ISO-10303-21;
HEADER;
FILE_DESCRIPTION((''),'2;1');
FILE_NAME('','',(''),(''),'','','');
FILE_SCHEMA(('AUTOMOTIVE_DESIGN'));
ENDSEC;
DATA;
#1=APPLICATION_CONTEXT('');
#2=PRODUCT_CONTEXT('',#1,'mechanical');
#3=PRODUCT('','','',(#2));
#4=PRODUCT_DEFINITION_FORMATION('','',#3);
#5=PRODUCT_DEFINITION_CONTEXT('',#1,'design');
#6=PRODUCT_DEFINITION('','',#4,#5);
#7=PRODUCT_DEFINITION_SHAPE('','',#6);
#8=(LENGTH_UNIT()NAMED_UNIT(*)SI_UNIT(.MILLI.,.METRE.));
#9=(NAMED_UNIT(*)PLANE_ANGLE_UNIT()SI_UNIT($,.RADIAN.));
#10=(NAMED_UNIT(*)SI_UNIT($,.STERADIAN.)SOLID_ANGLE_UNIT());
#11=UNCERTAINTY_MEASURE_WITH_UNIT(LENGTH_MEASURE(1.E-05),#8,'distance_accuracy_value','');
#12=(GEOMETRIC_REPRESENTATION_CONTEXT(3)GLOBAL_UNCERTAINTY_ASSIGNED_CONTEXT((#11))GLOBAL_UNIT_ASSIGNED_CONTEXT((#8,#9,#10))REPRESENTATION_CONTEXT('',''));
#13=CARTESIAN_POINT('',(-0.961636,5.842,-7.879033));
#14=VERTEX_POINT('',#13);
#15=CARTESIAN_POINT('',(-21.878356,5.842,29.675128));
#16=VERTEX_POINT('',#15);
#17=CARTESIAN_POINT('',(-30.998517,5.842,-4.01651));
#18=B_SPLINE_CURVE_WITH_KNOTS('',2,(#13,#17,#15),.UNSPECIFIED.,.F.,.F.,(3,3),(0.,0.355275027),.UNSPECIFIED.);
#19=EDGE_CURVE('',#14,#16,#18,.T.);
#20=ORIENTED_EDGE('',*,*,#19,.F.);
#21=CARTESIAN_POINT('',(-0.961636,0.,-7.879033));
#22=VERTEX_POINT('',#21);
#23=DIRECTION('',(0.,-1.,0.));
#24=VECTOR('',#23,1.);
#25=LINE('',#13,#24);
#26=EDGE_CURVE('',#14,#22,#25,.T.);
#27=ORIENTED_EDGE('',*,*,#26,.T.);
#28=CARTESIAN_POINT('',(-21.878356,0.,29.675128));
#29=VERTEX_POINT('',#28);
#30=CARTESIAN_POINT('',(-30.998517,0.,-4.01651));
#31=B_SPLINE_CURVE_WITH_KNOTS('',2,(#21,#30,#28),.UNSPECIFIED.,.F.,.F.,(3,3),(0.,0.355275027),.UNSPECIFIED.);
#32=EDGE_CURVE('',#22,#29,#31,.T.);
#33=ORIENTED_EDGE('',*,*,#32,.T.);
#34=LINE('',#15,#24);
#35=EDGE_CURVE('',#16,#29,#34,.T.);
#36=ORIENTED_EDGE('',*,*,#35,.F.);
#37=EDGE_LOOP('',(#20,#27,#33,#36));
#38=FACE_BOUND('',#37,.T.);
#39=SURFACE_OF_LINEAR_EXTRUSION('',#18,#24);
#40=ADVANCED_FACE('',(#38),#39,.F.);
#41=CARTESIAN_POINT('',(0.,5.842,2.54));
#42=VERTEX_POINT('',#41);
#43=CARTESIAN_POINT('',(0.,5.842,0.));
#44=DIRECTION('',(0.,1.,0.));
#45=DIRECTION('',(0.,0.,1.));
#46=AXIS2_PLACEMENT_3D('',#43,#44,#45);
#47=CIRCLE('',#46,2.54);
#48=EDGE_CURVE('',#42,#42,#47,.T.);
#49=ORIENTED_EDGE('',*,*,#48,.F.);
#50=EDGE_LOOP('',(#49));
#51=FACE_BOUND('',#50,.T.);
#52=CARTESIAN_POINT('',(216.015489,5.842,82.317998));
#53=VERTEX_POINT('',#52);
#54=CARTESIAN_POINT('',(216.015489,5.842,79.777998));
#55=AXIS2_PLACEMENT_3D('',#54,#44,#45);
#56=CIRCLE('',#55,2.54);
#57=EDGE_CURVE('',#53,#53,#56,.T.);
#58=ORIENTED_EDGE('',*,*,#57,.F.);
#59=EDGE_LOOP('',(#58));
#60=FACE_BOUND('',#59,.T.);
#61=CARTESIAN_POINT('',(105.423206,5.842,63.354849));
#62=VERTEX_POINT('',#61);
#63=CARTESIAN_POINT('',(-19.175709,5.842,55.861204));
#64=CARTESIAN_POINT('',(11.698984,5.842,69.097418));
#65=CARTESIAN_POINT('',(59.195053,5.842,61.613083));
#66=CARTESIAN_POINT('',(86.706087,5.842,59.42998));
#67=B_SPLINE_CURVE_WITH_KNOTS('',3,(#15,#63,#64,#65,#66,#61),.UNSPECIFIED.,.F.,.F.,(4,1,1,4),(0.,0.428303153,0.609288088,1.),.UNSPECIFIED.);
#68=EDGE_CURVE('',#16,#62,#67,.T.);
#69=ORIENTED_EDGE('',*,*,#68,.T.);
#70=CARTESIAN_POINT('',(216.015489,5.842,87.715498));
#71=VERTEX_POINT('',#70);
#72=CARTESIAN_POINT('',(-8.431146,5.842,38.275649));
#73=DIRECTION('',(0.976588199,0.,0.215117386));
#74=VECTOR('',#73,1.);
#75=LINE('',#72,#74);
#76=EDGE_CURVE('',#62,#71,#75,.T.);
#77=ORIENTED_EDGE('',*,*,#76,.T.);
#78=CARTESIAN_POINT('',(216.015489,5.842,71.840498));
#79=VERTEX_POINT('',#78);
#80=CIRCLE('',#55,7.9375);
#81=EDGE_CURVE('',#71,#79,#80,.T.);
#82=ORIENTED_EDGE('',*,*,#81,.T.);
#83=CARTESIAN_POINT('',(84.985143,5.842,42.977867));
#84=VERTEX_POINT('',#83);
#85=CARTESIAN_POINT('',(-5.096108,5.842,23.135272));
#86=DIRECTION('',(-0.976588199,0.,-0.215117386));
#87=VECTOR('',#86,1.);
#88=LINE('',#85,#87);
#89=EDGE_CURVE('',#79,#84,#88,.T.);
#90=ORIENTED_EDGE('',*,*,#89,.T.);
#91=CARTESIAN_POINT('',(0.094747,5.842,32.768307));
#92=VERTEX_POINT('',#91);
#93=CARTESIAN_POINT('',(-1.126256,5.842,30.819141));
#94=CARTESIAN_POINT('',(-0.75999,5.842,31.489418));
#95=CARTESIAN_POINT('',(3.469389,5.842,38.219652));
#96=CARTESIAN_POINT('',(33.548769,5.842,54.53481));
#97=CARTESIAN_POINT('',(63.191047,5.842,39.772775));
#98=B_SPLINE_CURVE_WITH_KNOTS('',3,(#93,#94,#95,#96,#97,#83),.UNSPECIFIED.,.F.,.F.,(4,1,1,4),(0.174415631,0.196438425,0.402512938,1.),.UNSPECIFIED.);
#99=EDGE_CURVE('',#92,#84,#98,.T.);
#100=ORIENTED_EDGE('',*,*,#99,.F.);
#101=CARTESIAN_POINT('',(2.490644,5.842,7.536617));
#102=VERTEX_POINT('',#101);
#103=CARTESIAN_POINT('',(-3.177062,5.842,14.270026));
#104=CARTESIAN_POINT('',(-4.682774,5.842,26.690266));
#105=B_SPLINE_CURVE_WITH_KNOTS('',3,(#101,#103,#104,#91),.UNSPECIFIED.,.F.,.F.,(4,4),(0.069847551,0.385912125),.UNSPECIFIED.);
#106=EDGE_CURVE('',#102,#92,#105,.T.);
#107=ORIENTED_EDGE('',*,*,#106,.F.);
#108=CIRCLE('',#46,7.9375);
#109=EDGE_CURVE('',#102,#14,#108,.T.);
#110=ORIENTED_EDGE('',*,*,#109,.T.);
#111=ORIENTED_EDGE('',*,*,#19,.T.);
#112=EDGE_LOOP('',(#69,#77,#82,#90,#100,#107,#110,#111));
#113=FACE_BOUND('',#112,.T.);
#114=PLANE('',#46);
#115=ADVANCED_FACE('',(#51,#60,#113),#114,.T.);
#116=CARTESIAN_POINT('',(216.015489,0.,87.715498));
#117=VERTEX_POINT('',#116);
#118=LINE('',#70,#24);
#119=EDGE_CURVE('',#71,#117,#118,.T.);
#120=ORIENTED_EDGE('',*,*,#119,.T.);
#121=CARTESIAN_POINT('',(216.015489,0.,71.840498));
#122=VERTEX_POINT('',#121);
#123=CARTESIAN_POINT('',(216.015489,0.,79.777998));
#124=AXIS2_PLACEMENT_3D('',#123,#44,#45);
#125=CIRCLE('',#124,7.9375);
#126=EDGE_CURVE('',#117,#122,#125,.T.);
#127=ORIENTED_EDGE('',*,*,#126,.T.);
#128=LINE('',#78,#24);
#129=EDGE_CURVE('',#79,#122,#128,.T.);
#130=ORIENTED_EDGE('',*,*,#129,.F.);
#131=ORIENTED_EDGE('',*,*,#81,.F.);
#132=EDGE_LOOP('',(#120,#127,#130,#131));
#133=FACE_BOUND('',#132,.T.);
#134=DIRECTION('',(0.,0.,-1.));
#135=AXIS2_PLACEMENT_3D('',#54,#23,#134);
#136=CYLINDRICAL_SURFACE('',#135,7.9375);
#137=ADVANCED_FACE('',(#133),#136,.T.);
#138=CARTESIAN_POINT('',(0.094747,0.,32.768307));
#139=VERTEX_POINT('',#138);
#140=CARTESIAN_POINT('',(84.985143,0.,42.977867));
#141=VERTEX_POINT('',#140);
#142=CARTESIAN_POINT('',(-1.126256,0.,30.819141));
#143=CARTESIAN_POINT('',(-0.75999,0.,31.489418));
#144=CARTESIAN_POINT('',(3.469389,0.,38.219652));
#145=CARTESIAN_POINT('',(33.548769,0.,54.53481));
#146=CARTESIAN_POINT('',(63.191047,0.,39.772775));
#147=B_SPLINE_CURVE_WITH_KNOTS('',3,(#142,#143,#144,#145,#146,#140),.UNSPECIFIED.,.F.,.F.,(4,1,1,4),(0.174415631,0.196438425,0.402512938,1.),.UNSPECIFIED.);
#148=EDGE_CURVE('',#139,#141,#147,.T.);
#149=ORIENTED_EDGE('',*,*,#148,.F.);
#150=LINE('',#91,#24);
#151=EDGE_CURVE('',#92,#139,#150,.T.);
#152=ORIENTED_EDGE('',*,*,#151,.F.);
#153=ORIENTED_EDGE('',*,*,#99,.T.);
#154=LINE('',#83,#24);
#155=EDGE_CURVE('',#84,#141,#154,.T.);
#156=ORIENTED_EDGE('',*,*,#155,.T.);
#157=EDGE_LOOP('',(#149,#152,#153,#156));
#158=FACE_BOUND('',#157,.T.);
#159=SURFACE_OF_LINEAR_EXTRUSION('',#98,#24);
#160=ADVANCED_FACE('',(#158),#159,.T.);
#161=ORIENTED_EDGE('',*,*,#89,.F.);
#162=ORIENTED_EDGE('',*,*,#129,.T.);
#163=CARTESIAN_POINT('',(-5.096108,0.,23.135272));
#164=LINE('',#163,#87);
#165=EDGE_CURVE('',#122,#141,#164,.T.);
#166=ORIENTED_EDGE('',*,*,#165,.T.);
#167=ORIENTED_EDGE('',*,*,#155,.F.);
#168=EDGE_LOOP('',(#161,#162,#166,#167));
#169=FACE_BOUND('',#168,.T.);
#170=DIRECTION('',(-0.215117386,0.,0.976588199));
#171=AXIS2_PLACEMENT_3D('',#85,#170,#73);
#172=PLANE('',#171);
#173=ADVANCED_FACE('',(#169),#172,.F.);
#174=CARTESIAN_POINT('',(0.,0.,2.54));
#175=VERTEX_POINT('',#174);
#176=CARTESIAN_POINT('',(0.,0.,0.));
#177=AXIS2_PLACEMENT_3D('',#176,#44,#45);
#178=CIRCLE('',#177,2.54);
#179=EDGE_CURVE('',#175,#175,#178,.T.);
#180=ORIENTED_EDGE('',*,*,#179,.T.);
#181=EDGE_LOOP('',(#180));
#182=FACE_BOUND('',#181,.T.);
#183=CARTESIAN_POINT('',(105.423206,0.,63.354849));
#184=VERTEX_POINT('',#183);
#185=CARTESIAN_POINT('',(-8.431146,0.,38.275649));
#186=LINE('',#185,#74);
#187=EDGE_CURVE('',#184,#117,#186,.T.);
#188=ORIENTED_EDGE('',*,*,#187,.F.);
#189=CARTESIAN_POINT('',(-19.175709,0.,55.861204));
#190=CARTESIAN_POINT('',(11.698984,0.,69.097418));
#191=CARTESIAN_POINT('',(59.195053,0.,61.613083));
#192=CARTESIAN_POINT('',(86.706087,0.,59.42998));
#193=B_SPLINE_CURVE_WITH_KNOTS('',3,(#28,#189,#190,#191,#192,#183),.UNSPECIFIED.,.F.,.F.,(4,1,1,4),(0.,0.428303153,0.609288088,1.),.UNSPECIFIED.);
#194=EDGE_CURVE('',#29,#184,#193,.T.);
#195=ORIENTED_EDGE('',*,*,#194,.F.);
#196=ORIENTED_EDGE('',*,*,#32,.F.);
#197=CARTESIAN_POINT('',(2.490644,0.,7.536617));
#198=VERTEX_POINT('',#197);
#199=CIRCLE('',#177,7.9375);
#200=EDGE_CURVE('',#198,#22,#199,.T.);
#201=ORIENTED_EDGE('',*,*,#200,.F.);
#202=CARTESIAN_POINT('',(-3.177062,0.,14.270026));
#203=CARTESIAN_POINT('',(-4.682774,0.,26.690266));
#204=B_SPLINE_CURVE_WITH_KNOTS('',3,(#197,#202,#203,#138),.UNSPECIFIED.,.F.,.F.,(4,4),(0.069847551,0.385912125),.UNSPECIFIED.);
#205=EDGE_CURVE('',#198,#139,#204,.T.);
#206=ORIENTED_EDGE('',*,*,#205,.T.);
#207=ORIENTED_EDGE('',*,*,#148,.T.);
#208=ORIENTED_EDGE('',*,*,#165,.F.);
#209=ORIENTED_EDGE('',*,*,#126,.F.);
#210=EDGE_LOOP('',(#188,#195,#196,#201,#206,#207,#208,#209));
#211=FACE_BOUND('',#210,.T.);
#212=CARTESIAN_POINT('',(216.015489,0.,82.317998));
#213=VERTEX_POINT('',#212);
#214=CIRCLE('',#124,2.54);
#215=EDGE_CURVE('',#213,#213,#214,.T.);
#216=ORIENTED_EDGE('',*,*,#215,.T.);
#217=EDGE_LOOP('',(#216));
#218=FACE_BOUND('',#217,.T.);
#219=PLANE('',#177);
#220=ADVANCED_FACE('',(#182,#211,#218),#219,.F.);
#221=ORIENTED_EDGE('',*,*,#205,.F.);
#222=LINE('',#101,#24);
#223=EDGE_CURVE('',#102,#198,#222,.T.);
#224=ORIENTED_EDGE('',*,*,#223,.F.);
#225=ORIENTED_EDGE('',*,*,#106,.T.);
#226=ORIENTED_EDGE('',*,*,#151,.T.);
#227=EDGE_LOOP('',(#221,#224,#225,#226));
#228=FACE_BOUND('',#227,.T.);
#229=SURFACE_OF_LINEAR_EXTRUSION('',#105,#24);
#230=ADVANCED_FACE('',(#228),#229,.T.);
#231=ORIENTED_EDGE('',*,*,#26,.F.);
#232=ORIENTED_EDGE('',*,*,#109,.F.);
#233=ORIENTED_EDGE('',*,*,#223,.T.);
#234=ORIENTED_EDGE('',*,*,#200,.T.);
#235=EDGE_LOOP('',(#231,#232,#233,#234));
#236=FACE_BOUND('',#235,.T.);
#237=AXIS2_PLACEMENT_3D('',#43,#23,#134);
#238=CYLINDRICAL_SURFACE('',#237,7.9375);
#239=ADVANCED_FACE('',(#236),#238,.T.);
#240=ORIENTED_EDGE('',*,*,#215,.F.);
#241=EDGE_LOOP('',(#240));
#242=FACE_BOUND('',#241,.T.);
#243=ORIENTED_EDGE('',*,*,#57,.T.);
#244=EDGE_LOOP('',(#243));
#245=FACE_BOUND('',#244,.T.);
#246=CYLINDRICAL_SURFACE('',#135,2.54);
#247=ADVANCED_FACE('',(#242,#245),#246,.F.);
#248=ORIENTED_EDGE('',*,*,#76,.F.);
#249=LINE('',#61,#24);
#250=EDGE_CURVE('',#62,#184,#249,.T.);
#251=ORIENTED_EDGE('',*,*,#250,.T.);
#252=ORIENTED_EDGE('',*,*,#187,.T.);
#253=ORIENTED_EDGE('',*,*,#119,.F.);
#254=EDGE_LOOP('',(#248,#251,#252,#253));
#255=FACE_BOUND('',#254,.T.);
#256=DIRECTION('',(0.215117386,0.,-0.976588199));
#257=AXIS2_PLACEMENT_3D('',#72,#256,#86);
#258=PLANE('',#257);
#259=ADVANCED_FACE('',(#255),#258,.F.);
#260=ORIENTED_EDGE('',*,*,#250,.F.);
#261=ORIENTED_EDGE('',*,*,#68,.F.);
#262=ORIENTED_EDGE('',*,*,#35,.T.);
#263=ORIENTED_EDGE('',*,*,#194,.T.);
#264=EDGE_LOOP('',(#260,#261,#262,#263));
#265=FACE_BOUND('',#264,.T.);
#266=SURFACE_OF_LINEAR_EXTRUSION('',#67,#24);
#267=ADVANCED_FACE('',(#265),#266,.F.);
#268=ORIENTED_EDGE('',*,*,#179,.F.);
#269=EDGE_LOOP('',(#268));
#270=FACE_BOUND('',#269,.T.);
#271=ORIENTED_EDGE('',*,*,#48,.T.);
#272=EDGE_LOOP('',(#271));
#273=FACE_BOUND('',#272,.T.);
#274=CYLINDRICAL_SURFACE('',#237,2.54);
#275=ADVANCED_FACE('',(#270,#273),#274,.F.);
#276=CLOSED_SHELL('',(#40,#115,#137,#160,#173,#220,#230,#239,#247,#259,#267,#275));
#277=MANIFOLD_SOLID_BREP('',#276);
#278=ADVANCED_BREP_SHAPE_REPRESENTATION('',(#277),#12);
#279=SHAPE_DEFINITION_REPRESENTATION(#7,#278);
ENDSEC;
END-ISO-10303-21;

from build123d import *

# Parameters (mm, degrees)
BOSS_EXTRUDE1_DEPTH = 5.842


with BuildPart() as part:
    # Sketch1 → Boss-Extrude1 (new body)
    # profile 1 of 4: a face of its own
    with BuildSketch(Plane(origin=(0, 0, 0), x_dir=(1, 0, 0), z_dir=(0, 1, 0))):
        with BuildLine():
            Line((5.702829673, -2.106146828), (2.382698971, -0.879969097))
            ThreePointArc((2.382698971, -0.879969097), (-0.446958954, -2.500365512), (-2.54, 0))
            ThreePointArc((-2.54, 0), (0, 2.54), (2.54, 0))
            Line((2.54, 0), (7.9375, 0))
            ThreePointArc((7.9375, 0), (5.261697448, 5.942932459), (-0.961636054, 7.879033085))
            add(Edge.make_bspline(
                [(-0.961636054, 7.879033085), (-30.998516546, 4.016509883), (-21.878356409, -29.675127641)],
                knots=[0, 0, 0, 0.355275027, 0.355275027, 0.355275027], degree=2))
            add(Edge.make_bspline(
                [(-21.878356409, -29.675127641), (-19.175708983, -55.861204147), (11.698983968, -69.097417628), (59.195053048, -61.613083253), (86.70608699, -59.429980277), (105.423206443, -63.354848985)],
                knots=[0, 0, 0, 0, 0.428303153, 0.609288088, 1, 1, 1, 1], degree=3))
            Line((105.423206443, -63.354848985), (212.680451258, -86.98087497))
            Line((212.680451258, -86.98087497), (216.015488734, -87.715498371))
            ThreePointArc((216.015488734, -87.715498371), (223.952988734, -79.777998371), (216.015488734, -71.840498371))
            Line((216.015488734, -71.840498371), (84.985142991, -42.97786668))
            add(Edge.make_bspline(
                [(0.09474692, -32.76830731), (4.27176872, -38.654864898), (33.548769413, -54.534810158), (63.191046617, -39.772775003), (84.985142991, -42.97786668)],
                knots=[0.196438425, 0.196438425, 0.196438425, 0.196438425, 0.402512938, 1, 1, 1, 1], degree=3))
            add(Edge.make_bspline(
                [(-1.126256356, -30.819140758), (-0.777763255, -31.521796137), (-0.371419038, -32.175243295), (0.09474692, -32.76830731)],
                knots=[0.355072169, 0.355072169, 0.355072169, 0.355072169, 0.385912125, 0.385912125, 0.385912125, 0.385912125], degree=3))
            add(Edge.make_bspline(
                [(2.490643555, -7.53661734), (-2.624036668, -13.613014345), (-4.349309359, -24.320603116), (-1.126256356, -30.819140758)],
                knots=[0.069847551, 0.069847551, 0.069847551, 0.069847551, 0.355072169, 0.355072169, 0.355072169, 0.355072169], degree=3))
            ThreePointArc((2.490643555, -7.53661734), (5.51471235, -5.708927565), (7.445934285, -2.749903429))
            Line((7.445934285, -2.749903429), (5.702829673, -2.106146828))
        make_face()
        with BuildLine():
            ThreePointArc((213.632789762, -78.898029274), (216.462447688, -77.27763286), (218.555488734, -79.777998371))
            ThreePointArc((218.555488734, -79.777998371), (215.56852978, -82.278363883), (213.632789762, -78.898029274))
        make_face(mode=Mode.SUBTRACT)
    # profile 2 of 4: a face of its own
    with BuildSketch(Plane(origin=(0, 0, 0), x_dir=(1, 0, 0), z_dir=(0, 1, 0))):
        with BuildLine():
            add(Edge.make_bspline(
                [(5.702829673, -2.106146828), (6.77439514, -1.073513348), (7.9375, 0)],
                knots=[0.965211712, 0.965211712, 0.965211712, 1, 1, 1], degree=2))
            Line((5.702829673, -2.106146828), (7.445934285, -2.749903429))
            ThreePointArc((7.445934285, -2.749903429), (7.813642225, -1.396746731), (7.9375, 0))
        make_face()
    # profile 3 of 4: a face of its own
    with BuildSketch(Plane(origin=(0, 0, 0), x_dir=(1, 0, 0), z_dir=(0, 1, 0))):
        with BuildLine():
            ThreePointArc((2.54, 0), (2.500365512, -0.446958954), (2.382698971, -0.879969097))
            Line((2.382698971, -0.879969097), (5.702829673, -2.106146828))
            add(Edge.make_bspline(
                [(5.702829673, -2.106146828), (6.77439514, -1.073513348), (7.9375, 0)],
                knots=[0.965211712, 0.965211712, 0.965211712, 1, 1, 1], degree=2))
            Line((7.9375, 0), (2.54, 0))
        make_face()
    # profile 4 of 4: a face of its own
    with BuildSketch(Plane(origin=(0, 0, 0), x_dir=(1, 0, 0), z_dir=(0, 1, 0))):
        with BuildLine():
            add(Edge.make_bspline(
                [(5.702829673, -2.106146828), (6.77439514, -1.073513348), (7.9375, 0)],
                knots=[0.965211712, 0.965211712, 0.965211712, 1, 1, 1], degree=2))
            Line((5.702829673, -2.106146828), (7.445934285, -2.749903429))
            ThreePointArc((7.445934285, -2.749903429), (7.813642225, -1.396746731), (7.9375, 0))
        make_face()
    extrude(amount=BOSS_EXTRUDE1_DEPTH)


solid = part.part
